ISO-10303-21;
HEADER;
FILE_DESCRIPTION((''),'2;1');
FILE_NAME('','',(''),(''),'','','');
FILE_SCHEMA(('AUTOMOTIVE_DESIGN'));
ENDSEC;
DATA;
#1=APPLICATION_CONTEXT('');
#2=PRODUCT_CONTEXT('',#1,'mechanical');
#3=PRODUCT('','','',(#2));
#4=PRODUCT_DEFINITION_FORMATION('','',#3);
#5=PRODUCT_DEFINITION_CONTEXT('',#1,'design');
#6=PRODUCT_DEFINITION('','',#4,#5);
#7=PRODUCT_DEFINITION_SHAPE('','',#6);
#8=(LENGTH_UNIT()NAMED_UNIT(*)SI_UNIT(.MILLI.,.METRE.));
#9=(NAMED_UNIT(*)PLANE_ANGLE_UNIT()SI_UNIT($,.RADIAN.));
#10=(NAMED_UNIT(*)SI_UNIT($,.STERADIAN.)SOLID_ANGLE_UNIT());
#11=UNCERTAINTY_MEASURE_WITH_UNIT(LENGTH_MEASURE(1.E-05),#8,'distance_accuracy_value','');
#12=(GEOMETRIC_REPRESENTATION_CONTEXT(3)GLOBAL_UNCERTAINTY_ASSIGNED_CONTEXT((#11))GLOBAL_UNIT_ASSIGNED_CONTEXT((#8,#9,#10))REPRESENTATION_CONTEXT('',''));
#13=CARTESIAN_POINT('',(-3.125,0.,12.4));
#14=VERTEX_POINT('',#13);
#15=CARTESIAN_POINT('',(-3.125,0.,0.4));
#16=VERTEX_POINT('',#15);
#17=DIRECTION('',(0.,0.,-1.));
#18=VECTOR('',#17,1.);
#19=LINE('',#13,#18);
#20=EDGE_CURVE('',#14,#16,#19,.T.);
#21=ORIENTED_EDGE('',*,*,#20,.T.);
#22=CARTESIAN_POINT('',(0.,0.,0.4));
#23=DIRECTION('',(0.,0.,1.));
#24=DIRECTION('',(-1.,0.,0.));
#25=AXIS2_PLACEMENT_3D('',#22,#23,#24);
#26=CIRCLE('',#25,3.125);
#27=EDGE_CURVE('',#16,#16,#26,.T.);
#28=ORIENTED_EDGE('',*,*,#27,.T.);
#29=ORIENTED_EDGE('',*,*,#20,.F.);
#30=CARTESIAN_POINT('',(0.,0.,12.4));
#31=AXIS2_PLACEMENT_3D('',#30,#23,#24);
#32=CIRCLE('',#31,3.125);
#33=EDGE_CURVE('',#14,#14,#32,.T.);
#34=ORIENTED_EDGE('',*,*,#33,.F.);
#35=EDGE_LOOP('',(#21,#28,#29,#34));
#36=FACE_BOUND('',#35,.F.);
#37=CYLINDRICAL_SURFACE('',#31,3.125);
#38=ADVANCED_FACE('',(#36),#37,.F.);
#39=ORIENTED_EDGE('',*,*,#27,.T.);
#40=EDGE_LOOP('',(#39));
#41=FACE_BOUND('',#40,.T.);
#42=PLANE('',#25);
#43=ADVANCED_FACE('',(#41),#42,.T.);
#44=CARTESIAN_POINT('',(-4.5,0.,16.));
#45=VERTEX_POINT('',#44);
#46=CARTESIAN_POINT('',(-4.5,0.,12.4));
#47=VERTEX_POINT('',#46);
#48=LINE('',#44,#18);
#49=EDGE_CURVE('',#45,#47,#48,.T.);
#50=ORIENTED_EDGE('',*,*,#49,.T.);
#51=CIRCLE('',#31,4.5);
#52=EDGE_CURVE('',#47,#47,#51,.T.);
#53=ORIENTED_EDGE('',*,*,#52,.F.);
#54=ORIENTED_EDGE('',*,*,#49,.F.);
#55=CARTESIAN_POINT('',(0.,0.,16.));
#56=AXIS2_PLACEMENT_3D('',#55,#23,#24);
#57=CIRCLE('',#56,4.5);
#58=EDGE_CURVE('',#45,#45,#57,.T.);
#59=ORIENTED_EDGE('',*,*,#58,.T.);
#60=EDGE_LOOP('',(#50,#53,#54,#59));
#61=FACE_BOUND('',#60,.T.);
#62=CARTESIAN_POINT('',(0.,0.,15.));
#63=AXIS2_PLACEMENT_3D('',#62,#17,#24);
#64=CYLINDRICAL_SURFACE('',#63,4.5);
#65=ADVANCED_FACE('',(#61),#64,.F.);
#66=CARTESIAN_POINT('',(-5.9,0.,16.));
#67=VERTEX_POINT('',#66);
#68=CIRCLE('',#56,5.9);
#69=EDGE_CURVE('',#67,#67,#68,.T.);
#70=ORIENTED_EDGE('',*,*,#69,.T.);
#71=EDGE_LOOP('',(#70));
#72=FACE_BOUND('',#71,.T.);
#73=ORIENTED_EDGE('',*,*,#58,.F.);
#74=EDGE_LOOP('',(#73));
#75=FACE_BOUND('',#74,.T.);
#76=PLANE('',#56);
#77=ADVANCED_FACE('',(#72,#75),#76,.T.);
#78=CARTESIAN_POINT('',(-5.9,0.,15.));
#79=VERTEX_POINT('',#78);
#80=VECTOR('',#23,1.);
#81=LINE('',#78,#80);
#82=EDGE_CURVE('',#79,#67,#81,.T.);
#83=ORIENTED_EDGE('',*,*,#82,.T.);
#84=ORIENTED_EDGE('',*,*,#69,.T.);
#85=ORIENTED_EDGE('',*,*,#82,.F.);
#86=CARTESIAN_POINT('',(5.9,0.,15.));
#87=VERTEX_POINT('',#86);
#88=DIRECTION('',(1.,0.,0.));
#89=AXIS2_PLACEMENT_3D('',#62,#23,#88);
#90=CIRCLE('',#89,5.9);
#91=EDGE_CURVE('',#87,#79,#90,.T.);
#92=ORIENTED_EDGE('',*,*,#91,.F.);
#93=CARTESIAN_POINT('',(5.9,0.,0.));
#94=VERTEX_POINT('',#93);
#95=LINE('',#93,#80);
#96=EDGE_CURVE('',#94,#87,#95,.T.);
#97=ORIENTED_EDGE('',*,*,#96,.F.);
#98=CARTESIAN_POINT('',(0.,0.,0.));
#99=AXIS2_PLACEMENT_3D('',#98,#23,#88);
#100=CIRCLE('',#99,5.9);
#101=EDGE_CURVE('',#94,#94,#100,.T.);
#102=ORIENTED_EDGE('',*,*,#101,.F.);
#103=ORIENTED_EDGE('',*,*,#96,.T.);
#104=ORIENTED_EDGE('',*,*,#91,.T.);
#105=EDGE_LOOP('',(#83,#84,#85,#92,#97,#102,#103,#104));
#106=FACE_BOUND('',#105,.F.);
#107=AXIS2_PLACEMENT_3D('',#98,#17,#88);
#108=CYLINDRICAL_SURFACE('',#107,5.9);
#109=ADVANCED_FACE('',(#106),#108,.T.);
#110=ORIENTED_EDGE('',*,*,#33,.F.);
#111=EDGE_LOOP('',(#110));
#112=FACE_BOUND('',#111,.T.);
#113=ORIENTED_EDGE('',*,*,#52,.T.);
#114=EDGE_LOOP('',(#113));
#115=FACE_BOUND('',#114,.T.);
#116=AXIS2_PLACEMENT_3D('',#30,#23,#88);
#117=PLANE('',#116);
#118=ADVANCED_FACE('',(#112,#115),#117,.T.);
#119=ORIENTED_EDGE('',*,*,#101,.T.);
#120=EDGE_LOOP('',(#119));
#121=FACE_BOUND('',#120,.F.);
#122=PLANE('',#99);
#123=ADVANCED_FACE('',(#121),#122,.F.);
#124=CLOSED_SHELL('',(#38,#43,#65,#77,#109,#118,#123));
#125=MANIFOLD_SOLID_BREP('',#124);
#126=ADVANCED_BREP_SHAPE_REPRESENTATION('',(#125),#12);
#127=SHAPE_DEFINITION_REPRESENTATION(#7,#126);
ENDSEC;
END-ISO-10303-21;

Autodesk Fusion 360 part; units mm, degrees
sketch "Sketch1" plane through (0, 0, 0) normal (0, 0, 1) x (1, 0, 0)
  circle A0 centre (0, 0) radius 5.9
  dimension "d1" = 11.8
extrude "Extrude1" add sketch "Sketch1" along normal blind 15
sketch "Sketch2" plane through (0, 0, 0) normal (0, 0, 1) x (1, 0, 0)
sketch "Sketch3" plane through (0, 0, 15) normal (0, 0, 1) x (-1, 0, 0)
  circle A0 centre (0, 0) radius 5.9
  circle A1 centre (0, 0) radius 4.5
  dimension "d4" = 9
extrude "Extrude2" add sketch "Sketch3" along normal blind 1
extrude "Extrude3" cut 1 faces at (-0.5857, 1.1465, 15) along direction (0, 0, -1) blind 2.6
sketch "Sketch4" plane through (0, 0, 12.4) normal (0, 0, 1) x (-1, 0, 0)
  circle A0 centre (0, 0) radius 4.5
  circle A1 centre (0, 0) radius 3.125
  dimension "d9" = 6.25
extrude "Extrude4" cut sketch "Sketch4" against normal blind 12 contours A1
